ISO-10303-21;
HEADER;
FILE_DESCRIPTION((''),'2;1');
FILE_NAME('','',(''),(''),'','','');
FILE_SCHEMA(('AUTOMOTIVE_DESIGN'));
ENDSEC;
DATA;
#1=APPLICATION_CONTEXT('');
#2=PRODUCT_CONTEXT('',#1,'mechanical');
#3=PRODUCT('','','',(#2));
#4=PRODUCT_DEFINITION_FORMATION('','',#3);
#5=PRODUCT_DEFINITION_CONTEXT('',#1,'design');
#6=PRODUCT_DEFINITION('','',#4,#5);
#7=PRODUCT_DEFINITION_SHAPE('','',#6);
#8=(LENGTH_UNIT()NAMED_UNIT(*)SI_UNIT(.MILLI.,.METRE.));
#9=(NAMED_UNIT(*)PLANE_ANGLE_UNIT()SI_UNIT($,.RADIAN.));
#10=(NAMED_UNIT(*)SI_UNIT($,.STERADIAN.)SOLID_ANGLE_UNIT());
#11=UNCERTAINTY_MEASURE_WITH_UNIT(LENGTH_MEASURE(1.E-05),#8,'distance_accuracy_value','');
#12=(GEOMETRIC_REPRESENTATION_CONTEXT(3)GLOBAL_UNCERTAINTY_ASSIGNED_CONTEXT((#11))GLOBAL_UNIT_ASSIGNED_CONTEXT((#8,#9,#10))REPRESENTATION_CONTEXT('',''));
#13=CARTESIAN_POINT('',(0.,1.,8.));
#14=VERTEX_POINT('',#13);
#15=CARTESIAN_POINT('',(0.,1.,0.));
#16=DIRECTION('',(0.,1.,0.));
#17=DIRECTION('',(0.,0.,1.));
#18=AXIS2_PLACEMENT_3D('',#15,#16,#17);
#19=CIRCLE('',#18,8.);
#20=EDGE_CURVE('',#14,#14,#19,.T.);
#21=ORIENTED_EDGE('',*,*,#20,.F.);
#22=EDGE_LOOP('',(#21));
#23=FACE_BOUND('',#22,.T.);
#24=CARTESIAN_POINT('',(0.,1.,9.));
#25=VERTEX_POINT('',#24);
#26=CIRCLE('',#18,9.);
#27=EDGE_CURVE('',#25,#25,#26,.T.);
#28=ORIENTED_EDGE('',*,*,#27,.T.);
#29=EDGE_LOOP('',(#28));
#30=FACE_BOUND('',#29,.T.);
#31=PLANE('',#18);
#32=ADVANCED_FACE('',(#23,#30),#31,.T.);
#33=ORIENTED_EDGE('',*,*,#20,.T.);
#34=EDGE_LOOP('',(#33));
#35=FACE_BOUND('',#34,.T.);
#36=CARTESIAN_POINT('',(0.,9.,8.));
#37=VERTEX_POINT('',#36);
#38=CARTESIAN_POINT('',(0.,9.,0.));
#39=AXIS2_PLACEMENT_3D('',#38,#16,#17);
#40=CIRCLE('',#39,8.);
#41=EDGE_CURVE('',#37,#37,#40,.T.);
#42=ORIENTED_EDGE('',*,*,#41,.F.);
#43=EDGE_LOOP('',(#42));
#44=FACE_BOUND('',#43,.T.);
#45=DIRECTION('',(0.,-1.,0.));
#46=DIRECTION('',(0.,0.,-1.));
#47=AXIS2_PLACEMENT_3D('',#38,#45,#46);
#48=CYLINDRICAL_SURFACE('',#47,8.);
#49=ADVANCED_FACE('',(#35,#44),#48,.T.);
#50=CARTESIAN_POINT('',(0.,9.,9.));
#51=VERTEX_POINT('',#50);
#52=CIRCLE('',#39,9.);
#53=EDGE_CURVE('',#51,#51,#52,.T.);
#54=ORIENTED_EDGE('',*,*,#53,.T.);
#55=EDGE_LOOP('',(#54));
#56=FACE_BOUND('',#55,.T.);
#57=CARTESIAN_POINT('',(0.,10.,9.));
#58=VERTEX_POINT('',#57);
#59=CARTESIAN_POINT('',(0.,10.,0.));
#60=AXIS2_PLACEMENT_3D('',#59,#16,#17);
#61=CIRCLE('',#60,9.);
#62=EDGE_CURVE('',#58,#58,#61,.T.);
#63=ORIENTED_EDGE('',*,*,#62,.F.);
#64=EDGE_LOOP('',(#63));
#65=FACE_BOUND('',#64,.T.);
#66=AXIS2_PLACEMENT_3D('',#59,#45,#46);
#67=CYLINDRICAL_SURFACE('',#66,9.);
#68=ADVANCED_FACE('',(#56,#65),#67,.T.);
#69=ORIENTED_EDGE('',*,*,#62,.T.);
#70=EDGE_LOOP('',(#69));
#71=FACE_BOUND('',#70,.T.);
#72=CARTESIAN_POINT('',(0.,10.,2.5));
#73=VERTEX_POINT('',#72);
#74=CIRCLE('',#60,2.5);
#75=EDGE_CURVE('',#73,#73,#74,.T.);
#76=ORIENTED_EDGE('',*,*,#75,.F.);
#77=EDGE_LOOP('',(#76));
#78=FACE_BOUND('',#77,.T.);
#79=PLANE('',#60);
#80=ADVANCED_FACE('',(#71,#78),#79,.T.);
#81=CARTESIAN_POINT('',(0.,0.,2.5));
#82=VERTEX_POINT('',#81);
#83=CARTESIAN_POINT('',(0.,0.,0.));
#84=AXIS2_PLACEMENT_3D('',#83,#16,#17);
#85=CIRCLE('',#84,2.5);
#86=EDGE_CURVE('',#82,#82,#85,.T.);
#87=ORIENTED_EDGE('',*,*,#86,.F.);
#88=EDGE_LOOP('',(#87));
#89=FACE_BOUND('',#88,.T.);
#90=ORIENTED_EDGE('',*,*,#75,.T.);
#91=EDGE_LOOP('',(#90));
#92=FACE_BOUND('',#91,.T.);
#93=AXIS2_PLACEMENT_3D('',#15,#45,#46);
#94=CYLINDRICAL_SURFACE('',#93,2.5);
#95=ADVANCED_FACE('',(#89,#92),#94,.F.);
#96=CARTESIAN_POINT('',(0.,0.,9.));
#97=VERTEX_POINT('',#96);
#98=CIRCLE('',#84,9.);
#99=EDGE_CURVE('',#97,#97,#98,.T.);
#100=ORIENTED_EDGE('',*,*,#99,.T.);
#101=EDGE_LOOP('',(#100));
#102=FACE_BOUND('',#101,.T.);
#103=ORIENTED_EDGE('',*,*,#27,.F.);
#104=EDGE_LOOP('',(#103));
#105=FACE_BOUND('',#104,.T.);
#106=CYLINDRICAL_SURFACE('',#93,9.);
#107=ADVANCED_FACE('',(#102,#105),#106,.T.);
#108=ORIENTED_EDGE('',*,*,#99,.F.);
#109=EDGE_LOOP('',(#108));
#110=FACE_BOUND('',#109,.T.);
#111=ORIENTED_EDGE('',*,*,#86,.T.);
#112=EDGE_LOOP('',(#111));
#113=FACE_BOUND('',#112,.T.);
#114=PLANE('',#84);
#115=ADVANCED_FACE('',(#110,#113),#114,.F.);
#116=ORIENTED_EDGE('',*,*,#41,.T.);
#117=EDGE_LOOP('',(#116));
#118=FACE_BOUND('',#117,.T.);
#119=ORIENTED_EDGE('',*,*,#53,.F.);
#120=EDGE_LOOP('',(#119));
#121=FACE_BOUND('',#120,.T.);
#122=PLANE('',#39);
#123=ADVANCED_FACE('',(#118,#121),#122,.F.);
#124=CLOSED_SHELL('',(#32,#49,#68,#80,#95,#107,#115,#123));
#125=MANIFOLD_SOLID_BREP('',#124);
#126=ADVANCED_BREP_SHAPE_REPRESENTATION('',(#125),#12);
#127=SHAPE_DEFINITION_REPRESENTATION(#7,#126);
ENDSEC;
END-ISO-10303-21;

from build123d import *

# Parameters (mm, degrees)
SKETCH_1_R      = 9
SKETCH_1_R_2    = 2.5
EXTRUDE_1_DEPTH = 1
SKETCH_2_R      = 8
SKETCH_2_R_2    = 2.5
EXTRUDE_2_DEPTH = 8
SKETCH_3_R      = 9
SKETCH_3_R_2    = 2.5
EXTRUDE_3_DEPTH = 1


with BuildPart() as part:
    # Эскиз1 → Бобышка-Вытянуть1 (new body)
    with BuildSketch(Plane(origin=(0, 0, 0), x_dir=(1, 0, 0), z_dir=(0, 1, 0))):
        with Locations(Location((0, 0, 0), (0, 0, 270))):
            Circle(SKETCH_1_R)
        with Locations(Location((0, 0, 0), (0, 0, 270))):
            Circle(SKETCH_1_R_2, mode=Mode.SUBTRACT)
    extrude(amount=EXTRUDE_1_DEPTH)

    # Эскиз2 → Бобышка-Вытянуть2 (add)
    with BuildSketch(Plane(origin=(0, 1, 0), x_dir=(1, 0, 0), z_dir=(0, 1, 0))):
        with Locations(Location((0, 0, 0), (0, 0, 270))):
            Circle(SKETCH_2_R)
        with Locations(Location((0, 0, 0), (0, 0, 270))):
            Circle(SKETCH_2_R_2, mode=Mode.SUBTRACT)
    extrude(amount=EXTRUDE_2_DEPTH)

    # Эскиз3 → Бобышка-Вытянуть3 (add)
    with BuildSketch(Plane(origin=(0, 9, 0), x_dir=(1, 0, 0), z_dir=(0, 1, 0))):
        with Locations(Location((0, 0, 0), (0, 0, 270))):
            Circle(SKETCH_3_R)
        with Locations(Location((0, 0, 0), (0, 0, 270))):
            Circle(SKETCH_3_R_2, mode=Mode.SUBTRACT)
    extrude(amount=EXTRUDE_3_DEPTH)


solid = part.part
